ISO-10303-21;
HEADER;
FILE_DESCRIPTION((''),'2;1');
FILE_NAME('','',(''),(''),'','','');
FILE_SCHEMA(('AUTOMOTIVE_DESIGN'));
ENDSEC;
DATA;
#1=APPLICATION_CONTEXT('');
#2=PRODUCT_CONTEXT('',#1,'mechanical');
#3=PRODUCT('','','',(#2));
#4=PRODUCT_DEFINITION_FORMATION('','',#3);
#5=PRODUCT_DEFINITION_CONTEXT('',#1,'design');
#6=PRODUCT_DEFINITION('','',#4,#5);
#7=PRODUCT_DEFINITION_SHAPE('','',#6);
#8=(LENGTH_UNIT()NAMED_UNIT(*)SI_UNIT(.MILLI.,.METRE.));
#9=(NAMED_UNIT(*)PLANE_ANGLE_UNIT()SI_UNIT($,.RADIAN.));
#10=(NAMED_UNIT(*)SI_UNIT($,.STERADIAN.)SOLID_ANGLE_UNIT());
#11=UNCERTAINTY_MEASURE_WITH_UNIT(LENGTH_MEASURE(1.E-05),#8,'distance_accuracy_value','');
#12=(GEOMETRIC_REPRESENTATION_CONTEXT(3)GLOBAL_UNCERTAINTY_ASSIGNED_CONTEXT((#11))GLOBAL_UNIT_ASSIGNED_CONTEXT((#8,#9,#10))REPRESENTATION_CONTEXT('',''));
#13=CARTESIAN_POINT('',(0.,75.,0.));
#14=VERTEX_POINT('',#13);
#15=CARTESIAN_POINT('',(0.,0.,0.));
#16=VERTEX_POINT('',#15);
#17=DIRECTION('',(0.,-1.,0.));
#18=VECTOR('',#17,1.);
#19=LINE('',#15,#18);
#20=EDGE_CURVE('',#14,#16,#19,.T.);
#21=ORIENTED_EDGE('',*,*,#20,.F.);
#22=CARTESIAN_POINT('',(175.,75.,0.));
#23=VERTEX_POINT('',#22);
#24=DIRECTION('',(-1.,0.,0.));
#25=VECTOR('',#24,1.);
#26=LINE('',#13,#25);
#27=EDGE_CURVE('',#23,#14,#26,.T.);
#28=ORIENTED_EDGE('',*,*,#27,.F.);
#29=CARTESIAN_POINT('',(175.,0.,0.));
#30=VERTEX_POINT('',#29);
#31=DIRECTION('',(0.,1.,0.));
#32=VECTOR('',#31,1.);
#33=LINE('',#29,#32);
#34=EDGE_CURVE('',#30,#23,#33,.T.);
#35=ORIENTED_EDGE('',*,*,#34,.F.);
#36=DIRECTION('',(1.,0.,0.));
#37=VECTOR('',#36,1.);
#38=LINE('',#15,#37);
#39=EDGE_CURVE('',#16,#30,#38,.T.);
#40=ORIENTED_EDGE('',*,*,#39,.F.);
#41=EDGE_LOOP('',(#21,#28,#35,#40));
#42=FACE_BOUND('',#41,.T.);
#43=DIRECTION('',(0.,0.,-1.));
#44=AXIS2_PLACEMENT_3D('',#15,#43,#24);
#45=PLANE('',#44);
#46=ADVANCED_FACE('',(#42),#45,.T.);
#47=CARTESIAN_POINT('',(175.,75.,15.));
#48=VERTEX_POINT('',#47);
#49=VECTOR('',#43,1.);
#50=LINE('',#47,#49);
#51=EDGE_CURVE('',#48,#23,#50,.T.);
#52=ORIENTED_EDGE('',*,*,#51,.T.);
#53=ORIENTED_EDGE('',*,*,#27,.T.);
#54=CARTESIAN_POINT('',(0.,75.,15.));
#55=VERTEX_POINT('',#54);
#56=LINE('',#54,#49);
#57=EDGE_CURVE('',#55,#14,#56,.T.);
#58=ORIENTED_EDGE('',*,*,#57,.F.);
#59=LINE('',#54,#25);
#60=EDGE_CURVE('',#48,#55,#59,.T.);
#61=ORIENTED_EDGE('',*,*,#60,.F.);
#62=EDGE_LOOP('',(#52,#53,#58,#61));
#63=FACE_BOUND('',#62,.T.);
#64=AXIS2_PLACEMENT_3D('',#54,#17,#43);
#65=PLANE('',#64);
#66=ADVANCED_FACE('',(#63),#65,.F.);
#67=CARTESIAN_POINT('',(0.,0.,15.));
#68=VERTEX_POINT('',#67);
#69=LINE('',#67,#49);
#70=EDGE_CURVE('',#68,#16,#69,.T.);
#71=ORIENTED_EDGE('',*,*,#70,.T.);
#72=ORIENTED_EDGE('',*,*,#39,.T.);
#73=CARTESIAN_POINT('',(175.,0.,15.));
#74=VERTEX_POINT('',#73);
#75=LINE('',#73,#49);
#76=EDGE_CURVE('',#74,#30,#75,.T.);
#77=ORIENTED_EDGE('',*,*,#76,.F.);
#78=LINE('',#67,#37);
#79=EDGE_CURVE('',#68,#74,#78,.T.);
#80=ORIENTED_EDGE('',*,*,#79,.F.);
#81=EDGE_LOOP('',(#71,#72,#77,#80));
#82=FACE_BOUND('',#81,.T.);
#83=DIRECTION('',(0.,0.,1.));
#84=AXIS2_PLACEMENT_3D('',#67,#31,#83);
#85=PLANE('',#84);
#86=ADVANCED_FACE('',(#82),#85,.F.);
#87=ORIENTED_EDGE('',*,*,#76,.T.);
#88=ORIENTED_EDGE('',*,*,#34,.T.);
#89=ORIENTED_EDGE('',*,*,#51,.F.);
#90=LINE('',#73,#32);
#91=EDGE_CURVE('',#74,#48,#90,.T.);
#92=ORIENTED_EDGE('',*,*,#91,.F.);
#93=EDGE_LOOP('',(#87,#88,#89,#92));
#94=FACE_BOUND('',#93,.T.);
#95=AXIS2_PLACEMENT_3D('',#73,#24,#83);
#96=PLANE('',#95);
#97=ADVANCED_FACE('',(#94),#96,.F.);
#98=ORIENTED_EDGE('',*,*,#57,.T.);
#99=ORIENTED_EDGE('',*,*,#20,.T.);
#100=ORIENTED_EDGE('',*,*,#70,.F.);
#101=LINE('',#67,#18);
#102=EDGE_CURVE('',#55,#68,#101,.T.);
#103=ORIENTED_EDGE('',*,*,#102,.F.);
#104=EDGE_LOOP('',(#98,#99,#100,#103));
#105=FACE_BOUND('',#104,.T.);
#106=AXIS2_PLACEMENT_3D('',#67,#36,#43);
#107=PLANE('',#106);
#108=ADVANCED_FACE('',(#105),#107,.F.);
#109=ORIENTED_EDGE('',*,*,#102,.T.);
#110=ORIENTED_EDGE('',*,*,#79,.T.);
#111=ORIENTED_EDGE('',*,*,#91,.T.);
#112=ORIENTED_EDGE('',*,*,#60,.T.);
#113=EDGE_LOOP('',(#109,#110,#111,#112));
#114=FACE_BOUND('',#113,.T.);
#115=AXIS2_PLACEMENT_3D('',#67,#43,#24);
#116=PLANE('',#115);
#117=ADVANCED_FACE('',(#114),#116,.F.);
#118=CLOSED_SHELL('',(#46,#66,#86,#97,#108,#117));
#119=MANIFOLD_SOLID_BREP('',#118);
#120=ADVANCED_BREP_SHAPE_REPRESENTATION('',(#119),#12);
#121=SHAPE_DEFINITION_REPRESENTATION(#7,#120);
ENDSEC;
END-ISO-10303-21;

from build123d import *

# Parameters (mm, degrees)
SKETCH1_W           = 17.5
SKETCH1_H           = 7.5
BOSS_EXTRUDE1_DEPTH = 1.5
SCALE1_SCALE        = 10


with BuildPart() as part:
    # Sketch1 → Boss-Extrude1 (new body)
    with BuildSketch(Plane.XY):
        with Locations((8.75, 3.75)):
            Rectangle(SKETCH1_W, SKETCH1_H)
    extrude(amount=BOSS_EXTRUDE1_DEPTH)


with BuildPart() as part_1:
    # Scale1: scaled about (0, 0, 0)
    add(part.part.scale(SCALE1_SCALE))


solid = part_1.part
